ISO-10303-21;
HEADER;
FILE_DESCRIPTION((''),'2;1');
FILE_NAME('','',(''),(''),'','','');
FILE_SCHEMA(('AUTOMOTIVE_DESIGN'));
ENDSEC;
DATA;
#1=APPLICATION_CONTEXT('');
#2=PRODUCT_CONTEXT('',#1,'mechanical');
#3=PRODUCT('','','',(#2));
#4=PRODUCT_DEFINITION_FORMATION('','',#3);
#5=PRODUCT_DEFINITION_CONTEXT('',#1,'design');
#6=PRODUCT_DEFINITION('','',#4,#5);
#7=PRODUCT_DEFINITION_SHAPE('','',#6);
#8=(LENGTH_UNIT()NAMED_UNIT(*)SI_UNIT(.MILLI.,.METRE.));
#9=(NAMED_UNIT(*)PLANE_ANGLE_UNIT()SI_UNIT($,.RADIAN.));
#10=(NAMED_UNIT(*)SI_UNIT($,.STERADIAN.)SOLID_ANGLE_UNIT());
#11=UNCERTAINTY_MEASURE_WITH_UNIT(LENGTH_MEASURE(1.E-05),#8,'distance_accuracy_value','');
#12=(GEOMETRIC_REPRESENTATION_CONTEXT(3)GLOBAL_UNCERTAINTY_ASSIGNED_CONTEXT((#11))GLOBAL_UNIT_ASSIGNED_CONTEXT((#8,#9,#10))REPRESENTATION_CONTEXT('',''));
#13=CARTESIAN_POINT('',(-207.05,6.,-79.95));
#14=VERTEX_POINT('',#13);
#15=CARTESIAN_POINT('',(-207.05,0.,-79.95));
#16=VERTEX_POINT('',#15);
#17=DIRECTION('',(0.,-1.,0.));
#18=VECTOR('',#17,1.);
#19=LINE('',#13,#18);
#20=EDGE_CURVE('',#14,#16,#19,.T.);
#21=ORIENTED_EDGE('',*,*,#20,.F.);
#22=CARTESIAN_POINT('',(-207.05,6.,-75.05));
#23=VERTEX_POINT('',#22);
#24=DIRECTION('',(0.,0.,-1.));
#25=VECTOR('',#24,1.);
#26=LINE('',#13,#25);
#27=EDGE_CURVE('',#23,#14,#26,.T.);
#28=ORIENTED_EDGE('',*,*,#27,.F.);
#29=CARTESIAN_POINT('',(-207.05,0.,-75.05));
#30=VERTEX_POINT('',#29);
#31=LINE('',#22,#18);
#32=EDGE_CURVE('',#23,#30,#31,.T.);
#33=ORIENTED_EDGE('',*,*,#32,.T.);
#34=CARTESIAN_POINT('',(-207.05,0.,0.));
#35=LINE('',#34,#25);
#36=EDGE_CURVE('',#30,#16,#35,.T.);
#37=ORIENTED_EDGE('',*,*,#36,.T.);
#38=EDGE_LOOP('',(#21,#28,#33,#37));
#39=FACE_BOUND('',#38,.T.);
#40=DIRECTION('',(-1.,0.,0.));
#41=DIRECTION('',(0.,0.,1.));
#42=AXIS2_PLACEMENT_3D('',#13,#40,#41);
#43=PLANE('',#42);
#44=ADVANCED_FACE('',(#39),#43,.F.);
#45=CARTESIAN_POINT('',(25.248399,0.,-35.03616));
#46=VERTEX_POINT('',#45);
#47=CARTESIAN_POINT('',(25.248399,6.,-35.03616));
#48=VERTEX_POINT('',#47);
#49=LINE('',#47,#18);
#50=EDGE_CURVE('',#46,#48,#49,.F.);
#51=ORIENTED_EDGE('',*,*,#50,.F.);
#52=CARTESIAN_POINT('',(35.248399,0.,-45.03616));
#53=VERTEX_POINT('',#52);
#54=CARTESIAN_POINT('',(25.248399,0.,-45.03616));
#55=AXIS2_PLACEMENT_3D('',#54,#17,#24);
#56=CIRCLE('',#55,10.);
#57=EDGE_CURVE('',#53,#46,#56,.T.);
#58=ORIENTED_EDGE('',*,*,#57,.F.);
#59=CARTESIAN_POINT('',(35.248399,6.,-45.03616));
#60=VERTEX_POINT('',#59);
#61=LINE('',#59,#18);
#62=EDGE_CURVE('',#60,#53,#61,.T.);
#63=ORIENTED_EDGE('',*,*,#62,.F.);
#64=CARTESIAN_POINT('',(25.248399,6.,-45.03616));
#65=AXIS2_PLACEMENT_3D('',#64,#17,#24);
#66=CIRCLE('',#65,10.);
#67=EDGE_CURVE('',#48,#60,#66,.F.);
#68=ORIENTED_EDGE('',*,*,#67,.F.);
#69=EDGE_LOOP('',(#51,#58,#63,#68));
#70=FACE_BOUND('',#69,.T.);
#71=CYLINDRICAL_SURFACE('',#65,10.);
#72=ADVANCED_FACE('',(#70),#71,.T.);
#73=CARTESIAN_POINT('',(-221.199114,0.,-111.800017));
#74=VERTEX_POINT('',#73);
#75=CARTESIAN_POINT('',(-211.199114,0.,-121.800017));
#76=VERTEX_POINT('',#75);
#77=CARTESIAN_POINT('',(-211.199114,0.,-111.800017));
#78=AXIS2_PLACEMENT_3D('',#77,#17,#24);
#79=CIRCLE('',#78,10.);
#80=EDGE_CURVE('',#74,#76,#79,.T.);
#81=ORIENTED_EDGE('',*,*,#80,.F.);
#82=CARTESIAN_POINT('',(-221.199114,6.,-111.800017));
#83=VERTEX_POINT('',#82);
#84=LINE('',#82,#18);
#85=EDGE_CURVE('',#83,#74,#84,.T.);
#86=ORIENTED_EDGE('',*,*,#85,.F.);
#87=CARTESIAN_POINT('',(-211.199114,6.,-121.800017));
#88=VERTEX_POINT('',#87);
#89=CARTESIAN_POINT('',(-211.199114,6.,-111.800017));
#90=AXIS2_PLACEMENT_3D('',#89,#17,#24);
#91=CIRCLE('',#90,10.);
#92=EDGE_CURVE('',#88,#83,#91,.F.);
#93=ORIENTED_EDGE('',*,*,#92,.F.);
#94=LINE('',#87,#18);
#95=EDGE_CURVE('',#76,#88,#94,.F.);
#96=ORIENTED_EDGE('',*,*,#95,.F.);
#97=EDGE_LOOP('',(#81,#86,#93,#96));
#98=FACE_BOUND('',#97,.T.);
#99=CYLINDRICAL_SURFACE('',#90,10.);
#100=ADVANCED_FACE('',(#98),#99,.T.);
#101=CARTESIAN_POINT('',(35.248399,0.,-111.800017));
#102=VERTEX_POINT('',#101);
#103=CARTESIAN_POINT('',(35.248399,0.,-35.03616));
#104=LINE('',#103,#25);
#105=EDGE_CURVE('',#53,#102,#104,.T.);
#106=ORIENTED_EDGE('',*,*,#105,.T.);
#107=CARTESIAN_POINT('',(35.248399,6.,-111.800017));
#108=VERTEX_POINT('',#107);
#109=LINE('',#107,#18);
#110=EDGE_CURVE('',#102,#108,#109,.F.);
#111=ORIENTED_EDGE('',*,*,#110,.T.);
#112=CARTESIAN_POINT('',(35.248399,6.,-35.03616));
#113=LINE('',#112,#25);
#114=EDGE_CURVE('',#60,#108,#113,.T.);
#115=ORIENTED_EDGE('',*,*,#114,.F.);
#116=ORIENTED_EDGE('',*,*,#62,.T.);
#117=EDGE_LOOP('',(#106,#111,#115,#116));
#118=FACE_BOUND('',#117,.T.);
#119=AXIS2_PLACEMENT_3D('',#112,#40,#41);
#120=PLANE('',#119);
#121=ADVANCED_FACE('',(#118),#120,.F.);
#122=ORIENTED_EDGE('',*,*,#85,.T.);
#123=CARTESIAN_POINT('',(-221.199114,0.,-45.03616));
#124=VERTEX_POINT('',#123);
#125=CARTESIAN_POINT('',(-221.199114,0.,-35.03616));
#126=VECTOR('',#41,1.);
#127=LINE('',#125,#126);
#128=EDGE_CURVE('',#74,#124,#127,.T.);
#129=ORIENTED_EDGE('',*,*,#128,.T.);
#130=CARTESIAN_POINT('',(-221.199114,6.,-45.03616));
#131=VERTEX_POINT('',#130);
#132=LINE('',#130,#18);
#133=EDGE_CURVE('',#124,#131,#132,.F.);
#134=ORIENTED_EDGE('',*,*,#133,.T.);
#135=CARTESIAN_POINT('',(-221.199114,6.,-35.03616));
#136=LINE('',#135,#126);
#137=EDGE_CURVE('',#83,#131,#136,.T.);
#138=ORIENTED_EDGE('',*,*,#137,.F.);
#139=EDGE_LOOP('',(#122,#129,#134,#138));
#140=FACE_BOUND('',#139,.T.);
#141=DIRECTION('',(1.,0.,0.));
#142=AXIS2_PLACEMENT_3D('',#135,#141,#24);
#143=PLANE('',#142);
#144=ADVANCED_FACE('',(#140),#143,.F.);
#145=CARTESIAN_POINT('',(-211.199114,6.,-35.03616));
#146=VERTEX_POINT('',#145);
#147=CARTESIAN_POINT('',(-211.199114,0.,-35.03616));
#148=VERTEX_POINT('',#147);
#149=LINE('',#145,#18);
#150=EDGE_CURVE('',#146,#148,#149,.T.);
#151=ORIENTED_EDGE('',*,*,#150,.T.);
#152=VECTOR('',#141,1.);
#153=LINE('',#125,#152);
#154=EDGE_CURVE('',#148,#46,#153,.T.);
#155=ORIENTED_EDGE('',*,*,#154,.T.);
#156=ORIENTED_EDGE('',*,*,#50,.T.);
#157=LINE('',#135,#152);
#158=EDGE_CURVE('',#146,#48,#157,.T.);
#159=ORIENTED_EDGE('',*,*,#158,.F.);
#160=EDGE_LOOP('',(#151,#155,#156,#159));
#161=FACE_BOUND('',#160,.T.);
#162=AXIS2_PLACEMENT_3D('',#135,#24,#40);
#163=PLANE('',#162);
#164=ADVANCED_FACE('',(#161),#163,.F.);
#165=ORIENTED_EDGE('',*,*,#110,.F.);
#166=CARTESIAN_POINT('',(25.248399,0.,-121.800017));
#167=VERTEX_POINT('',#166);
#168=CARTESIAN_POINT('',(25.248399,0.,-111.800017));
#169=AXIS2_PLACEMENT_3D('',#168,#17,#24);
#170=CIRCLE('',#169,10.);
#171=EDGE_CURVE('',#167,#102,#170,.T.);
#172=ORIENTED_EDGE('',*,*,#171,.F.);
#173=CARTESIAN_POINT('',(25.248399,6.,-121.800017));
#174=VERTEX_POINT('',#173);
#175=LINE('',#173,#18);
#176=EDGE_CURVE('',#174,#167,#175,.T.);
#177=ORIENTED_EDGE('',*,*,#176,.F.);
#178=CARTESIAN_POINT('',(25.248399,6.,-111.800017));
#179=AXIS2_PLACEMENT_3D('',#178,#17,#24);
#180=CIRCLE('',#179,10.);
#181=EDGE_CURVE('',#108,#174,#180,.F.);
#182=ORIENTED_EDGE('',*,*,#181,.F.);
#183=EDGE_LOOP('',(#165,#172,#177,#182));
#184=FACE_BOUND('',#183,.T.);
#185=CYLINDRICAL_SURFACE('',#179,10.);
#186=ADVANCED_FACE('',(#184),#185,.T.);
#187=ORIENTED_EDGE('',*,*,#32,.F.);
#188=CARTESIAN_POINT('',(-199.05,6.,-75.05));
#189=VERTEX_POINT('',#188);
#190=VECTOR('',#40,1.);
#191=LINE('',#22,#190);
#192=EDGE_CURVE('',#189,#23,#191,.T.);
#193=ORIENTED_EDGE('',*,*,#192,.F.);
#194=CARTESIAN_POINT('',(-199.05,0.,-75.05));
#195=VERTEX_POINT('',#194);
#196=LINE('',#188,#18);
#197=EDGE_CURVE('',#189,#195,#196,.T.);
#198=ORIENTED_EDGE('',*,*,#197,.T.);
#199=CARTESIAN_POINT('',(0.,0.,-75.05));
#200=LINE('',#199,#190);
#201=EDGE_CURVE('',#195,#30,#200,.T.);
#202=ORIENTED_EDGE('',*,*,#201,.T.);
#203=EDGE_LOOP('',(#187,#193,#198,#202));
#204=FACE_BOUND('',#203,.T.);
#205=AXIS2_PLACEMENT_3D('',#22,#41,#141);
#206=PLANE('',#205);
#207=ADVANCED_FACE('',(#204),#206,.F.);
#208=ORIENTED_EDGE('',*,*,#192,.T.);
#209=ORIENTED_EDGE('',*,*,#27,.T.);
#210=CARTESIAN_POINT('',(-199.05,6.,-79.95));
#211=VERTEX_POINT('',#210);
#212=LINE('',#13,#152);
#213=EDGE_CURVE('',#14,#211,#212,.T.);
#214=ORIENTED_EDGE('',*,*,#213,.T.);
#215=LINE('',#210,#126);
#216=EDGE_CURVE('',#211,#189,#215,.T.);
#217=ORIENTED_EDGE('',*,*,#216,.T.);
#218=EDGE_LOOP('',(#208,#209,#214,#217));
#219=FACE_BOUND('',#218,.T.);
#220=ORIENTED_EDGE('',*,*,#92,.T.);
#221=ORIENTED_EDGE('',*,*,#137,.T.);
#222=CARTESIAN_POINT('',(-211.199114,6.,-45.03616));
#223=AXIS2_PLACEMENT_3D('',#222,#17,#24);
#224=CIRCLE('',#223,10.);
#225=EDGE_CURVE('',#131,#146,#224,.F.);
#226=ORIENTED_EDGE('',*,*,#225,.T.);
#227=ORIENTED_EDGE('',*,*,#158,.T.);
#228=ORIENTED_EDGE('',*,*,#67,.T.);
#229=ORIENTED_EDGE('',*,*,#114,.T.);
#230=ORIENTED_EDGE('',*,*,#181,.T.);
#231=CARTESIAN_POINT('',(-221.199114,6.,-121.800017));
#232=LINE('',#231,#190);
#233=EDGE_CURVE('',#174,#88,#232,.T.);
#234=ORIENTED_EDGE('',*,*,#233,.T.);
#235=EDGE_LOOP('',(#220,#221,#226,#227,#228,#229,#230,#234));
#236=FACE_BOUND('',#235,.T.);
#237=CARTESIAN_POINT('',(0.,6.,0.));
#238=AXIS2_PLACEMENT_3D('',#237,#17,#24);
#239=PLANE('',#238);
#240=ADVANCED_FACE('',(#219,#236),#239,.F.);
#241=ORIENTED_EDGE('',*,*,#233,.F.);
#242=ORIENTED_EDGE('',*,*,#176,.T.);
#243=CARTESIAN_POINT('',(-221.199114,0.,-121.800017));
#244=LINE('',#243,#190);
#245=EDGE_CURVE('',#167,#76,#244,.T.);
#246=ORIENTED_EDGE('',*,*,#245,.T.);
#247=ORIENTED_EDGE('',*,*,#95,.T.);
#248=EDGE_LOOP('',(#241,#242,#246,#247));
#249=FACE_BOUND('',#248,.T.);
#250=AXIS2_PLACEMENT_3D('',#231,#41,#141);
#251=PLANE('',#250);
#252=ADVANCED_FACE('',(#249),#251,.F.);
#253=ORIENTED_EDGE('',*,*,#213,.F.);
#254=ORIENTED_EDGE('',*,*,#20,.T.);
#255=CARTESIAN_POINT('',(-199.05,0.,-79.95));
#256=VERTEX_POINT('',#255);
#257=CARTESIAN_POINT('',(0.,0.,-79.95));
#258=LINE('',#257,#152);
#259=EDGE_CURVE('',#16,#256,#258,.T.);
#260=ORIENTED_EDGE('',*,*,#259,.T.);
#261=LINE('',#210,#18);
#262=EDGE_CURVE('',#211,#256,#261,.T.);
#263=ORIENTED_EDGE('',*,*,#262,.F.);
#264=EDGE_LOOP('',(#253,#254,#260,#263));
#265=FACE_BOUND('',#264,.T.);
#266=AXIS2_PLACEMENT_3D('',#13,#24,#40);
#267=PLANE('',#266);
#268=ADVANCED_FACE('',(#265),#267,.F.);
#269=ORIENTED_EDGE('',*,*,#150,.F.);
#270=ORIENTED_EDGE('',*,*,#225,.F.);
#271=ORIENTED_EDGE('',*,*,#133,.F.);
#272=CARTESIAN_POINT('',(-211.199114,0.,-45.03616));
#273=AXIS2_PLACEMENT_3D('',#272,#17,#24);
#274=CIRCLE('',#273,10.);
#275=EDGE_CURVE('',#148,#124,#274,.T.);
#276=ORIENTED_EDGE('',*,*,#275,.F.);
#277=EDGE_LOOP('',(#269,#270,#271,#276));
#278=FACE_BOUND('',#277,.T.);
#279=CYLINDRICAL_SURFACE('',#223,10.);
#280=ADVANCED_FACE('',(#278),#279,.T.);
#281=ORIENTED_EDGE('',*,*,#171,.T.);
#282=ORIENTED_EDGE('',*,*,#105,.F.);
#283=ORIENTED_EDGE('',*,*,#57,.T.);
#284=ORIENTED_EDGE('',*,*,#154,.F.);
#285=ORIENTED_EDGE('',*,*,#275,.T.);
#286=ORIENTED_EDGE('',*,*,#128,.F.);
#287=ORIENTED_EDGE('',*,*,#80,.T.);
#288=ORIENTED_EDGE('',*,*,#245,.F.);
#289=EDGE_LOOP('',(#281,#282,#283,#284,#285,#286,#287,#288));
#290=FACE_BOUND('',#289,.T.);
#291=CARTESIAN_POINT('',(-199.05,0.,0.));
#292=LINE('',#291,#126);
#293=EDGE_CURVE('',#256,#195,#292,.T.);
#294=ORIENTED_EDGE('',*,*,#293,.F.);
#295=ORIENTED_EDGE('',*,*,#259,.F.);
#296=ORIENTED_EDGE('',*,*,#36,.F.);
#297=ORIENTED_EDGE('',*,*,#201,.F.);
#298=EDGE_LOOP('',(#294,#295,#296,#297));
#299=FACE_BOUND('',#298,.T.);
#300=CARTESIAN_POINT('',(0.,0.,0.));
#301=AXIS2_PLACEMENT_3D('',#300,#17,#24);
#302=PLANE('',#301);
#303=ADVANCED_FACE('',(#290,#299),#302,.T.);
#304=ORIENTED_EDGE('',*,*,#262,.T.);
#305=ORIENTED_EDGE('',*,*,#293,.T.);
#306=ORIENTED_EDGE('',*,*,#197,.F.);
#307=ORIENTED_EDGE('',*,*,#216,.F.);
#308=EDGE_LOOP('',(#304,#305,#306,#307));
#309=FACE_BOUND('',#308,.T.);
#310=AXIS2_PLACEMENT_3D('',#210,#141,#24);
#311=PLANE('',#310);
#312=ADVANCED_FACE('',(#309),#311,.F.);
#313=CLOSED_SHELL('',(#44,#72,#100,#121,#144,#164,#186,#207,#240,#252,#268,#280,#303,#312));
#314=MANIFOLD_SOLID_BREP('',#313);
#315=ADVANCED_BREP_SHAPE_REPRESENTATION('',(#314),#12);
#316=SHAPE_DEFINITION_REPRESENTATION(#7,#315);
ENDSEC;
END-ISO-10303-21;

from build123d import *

# Parameters (mm, degrees)
SKETCH2_W               = 256.44751275
SKETCH2_H               = 86.763856324
BOSS_EXTRUDE2_DEPTH     = 6
SKETCH5_W               = 8
SKETCH5_H               = 4.9
CUT_EXTRUDE7_DEPTH      = 1
CUT_EXTRUDE7_DEPTH_BACK = 7
FILLET1_R               = 10


with BuildPart() as part:
    # Sketch2 → Boss-Extrude2 (new body)
    with BuildSketch(Plane(origin=(0, 0, 0), x_dir=(1, 0, 0), z_dir=(0, 1, 0))):
        with Locations((-92.975357556, 78.4180884)):
            Rectangle(SKETCH2_W, SKETCH2_H)
    extrude(amount=BOSS_EXTRUDE2_DEPTH)

    # Sketch5 → Cut-Extrude7 (cut, two sides)
    with BuildSketch(Plane.XZ) as cut_extrude7_sk:
        with Locations((-203.05, -77.5)):
            Rectangle(SKETCH5_W, SKETCH5_H)
    extrude(amount=CUT_EXTRUDE7_DEPTH, mode=Mode.SUBTRACT)
    extrude(cut_extrude7_sk.sketch, amount=-CUT_EXTRUDE7_DEPTH_BACK, mode=Mode.SUBTRACT)

    # Fillet1
    fillet1_edges = [part.edges().sort_by_distance(p)[0] for p in [
        (35.248398819, 3, -35.036160238),
        (-221.199113931, 3, -35.036160238),
        (-221.199113931, 3, -121.800016562),
        (35.248398819, 3, -121.800016562),
    ]]
    fillet(fillet1_edges, radius=FILLET1_R)


solid = part.part
